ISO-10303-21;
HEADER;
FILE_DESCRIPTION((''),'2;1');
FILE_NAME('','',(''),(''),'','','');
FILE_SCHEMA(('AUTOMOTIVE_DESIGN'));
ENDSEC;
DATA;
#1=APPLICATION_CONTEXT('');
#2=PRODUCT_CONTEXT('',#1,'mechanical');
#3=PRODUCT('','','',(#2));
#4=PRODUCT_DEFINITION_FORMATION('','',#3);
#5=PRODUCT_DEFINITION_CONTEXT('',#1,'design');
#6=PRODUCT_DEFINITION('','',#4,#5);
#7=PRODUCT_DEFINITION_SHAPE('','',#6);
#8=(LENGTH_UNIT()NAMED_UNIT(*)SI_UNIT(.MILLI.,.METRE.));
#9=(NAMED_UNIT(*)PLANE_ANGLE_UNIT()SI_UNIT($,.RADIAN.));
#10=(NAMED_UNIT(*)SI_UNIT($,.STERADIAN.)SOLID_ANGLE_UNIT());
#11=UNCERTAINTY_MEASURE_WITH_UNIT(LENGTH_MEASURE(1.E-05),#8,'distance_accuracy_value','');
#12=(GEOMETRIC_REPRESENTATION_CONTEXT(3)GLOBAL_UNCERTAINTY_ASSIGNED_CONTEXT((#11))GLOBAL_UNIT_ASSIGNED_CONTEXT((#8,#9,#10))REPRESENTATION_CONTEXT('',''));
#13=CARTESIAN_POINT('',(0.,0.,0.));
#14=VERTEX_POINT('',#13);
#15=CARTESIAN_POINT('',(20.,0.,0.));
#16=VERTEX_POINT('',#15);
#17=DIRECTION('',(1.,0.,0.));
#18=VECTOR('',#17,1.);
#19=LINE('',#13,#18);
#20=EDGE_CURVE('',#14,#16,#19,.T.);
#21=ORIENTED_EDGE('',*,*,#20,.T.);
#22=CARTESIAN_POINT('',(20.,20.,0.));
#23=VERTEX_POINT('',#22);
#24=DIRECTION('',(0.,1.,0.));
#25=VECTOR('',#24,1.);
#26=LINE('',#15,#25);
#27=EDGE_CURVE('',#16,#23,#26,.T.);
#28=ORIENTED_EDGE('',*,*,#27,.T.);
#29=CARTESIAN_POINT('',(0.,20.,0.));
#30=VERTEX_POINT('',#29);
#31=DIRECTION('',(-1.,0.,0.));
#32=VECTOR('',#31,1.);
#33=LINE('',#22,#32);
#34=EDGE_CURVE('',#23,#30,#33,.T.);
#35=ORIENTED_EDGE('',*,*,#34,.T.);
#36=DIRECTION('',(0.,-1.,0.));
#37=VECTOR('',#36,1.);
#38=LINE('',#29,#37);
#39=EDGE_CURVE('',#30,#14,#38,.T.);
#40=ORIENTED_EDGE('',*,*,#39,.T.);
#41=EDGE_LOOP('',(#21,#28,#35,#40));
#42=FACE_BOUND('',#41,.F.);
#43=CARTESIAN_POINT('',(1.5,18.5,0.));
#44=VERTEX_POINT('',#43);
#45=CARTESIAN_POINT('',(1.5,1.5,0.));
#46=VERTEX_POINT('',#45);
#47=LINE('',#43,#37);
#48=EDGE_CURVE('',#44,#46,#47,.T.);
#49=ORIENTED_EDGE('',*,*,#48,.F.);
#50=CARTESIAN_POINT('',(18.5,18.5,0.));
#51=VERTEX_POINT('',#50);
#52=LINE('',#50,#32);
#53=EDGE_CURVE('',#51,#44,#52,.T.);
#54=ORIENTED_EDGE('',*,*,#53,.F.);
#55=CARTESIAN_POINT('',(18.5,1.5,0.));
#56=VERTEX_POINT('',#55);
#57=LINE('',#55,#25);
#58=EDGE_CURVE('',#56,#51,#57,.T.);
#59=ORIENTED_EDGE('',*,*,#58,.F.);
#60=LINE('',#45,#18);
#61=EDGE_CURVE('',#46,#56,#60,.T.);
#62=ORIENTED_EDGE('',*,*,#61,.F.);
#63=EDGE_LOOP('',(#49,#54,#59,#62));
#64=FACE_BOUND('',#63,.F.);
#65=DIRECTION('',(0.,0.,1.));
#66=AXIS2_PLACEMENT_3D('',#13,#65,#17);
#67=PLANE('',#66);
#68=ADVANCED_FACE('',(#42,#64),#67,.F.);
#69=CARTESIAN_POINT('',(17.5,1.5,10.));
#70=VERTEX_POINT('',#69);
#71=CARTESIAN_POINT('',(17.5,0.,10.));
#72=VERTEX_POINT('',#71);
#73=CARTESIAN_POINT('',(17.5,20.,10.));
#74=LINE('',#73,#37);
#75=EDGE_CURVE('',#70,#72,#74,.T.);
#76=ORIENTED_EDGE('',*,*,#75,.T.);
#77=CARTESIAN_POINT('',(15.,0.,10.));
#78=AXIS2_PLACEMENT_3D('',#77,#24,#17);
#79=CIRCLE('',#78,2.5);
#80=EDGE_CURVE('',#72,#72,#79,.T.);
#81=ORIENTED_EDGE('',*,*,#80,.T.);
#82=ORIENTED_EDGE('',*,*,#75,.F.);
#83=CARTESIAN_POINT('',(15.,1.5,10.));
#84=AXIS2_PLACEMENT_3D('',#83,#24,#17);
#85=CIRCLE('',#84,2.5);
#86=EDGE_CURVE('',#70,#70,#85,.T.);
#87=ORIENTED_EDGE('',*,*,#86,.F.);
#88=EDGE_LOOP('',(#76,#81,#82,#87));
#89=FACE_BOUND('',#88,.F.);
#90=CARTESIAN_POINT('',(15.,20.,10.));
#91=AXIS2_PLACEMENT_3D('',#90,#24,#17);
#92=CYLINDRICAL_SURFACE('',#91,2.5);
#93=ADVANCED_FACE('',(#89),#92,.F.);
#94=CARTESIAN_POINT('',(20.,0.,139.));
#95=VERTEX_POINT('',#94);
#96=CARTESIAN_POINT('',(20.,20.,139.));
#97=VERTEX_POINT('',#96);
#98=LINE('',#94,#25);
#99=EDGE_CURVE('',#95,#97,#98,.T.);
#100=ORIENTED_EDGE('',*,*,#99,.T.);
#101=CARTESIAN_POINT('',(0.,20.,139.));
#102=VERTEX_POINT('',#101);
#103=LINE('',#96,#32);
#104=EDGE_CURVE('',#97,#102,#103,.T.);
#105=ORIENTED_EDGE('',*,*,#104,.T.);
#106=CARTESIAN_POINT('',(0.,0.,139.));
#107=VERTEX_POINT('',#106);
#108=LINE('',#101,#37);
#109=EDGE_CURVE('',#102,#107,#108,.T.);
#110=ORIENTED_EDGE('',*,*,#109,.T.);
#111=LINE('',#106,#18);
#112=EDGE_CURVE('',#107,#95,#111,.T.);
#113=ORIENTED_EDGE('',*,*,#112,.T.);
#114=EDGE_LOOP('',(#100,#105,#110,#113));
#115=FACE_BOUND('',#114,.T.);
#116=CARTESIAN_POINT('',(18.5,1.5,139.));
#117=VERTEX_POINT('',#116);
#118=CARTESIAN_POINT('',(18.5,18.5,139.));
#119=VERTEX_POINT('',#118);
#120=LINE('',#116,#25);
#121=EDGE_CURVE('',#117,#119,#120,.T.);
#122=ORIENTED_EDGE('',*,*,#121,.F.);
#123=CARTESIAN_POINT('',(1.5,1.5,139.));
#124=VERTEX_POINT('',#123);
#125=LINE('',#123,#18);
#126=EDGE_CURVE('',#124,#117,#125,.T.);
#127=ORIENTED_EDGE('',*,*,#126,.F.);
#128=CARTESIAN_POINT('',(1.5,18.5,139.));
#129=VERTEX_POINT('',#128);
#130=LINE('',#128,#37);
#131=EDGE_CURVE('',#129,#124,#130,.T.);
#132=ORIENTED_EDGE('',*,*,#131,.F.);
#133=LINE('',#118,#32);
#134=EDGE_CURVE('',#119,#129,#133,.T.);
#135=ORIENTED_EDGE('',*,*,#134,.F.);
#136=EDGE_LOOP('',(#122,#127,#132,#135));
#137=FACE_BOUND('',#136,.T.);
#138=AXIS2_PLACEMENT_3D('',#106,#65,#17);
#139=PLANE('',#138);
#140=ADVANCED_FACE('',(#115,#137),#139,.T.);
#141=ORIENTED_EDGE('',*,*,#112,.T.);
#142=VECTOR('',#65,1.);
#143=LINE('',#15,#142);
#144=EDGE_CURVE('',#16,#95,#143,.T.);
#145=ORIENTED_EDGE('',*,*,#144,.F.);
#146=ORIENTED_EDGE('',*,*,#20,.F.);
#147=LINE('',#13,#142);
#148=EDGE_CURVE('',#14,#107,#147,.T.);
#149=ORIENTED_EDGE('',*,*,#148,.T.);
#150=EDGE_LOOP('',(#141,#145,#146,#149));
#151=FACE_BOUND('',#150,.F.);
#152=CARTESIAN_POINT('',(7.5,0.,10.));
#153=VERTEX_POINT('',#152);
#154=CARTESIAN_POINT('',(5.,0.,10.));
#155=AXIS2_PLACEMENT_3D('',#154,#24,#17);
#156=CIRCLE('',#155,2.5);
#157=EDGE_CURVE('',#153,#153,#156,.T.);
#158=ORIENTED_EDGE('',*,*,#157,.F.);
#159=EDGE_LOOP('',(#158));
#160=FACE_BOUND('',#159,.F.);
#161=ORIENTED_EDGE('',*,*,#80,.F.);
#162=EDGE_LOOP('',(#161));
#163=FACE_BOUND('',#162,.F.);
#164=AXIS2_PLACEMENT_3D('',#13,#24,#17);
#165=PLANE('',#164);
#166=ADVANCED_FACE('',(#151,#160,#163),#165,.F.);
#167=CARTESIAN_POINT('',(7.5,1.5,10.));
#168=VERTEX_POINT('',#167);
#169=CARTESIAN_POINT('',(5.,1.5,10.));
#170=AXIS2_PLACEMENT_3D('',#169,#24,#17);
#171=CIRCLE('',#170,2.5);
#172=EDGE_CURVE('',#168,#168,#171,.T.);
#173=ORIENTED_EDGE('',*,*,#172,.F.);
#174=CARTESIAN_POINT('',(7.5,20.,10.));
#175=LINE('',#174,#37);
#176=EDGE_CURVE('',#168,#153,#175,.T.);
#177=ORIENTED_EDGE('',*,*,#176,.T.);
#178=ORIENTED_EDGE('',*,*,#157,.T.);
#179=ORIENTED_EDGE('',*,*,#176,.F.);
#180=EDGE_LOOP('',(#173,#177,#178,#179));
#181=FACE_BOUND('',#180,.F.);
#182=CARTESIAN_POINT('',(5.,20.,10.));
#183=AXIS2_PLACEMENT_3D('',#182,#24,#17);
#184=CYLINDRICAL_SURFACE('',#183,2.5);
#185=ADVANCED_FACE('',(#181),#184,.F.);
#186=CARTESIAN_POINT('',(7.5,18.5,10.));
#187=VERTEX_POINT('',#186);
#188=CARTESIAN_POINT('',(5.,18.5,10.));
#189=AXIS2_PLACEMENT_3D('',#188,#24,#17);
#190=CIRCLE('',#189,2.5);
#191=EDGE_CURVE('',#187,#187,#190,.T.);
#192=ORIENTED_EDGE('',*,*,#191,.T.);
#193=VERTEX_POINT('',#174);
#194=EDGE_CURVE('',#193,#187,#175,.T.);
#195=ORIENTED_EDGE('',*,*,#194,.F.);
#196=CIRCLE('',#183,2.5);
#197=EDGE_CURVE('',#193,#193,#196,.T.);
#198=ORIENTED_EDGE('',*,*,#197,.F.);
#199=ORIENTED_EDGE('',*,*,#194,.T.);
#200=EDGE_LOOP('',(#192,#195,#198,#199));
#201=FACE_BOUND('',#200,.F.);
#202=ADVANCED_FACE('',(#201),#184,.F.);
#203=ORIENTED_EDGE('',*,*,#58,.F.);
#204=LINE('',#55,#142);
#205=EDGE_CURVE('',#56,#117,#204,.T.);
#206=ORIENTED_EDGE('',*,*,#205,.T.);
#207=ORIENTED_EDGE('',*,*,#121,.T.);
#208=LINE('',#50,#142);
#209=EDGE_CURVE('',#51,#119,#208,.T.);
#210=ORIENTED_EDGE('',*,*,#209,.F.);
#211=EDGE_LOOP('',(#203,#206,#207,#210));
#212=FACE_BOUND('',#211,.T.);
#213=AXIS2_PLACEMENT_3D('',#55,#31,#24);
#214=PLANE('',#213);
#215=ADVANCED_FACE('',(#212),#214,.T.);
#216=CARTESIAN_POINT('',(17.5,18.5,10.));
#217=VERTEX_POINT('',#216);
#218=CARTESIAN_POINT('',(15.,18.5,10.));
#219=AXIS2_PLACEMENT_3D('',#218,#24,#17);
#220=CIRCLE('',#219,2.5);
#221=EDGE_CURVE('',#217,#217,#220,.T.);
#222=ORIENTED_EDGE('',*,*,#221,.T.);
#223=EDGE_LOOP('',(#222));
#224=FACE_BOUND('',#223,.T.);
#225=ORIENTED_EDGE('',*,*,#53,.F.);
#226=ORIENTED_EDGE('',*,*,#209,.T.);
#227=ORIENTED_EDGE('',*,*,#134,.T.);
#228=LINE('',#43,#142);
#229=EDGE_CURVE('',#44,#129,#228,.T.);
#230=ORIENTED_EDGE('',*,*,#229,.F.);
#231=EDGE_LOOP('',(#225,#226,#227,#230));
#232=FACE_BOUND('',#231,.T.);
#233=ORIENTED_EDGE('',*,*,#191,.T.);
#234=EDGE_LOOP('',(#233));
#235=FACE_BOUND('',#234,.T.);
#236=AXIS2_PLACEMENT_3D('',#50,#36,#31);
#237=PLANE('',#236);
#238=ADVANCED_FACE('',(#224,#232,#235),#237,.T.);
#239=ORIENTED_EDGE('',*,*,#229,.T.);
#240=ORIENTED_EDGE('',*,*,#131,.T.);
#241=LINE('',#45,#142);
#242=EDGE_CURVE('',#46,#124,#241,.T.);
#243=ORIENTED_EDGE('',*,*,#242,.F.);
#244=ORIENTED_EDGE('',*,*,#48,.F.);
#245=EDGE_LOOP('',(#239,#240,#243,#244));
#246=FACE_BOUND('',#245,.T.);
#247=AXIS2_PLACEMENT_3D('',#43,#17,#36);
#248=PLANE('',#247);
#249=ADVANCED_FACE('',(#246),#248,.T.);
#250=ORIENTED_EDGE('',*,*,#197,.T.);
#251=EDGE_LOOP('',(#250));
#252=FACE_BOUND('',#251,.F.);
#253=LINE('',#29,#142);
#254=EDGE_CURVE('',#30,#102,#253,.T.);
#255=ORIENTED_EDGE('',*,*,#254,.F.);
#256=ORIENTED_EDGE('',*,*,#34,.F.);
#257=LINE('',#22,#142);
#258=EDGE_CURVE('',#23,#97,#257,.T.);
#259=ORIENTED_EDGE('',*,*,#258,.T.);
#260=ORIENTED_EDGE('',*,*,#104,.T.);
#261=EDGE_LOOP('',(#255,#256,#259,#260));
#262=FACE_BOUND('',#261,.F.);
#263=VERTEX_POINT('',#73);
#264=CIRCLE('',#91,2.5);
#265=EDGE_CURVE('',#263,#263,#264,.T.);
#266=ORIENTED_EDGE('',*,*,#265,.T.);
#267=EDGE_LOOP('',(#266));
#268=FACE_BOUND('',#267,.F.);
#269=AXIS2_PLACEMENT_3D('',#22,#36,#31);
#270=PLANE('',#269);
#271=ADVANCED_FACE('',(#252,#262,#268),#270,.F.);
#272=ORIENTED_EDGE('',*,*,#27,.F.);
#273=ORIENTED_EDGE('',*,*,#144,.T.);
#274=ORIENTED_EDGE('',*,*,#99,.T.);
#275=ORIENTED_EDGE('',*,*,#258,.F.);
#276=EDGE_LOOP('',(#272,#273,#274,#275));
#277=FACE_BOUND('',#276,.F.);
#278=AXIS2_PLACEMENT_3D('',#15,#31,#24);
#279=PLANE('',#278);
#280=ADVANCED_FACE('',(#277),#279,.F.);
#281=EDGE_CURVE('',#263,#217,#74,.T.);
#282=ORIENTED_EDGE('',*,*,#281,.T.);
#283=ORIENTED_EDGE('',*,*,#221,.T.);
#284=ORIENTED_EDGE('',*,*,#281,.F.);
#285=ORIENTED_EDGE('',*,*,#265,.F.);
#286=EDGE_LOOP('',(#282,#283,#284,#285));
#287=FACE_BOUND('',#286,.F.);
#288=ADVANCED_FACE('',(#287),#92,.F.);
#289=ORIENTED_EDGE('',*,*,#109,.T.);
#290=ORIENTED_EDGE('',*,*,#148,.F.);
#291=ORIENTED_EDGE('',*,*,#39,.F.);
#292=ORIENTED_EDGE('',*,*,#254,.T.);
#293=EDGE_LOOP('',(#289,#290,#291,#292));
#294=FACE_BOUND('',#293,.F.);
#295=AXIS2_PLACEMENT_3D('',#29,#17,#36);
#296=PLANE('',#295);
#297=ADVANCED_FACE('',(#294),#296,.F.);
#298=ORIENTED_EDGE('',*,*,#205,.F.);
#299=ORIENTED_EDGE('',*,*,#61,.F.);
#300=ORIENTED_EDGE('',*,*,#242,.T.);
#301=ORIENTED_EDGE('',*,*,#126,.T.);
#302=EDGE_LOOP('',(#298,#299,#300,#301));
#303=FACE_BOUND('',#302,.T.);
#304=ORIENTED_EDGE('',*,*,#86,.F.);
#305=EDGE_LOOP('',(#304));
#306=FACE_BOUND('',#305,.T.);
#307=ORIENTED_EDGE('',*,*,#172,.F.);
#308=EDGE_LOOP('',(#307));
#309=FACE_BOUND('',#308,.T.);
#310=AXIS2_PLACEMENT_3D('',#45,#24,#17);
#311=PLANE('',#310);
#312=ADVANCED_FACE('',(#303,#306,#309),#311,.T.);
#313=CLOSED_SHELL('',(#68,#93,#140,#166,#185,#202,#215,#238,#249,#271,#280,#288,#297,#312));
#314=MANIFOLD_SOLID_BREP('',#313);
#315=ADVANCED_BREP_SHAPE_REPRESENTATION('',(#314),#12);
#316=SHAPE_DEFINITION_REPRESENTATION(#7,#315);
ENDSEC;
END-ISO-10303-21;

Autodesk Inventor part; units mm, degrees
ref_plane "YZ Plane" through (0, 0, 0) normal (1, 0, 0) x (0, 1, 0)
ref_plane "XZ Plane" through (0, 0, 0) normal (0, 1, 0) x (-1, 0, 0)
ref_plane "XY Plane" through (0, 0, 0) normal (0, 0, 1) x (1, 0, 0)
sketch "Эскиз1" plane through (0, 0, 0) normal (0, 0, 1) x (1, 0, 0)
  line L0 (0, 0) -> (20, 0)
  line L1 (20, 0) -> (20, 20)
  line L2 (20, 20) -> (0, 20)
  line L3 (0, 20) -> (0, 0)
  line L4 (1.5, 1.5) -> (18.5, 1.5)
  line L5 (18.5, 1.5) -> (18.5, 18.5)
  line L6 (18.5, 18.5) -> (1.5, 18.5)
  line L7 (1.5, 18.5) -> (1.5, 1.5)
  point P0 (10, 18.5)
  point P1 (10, 20)
  point P2 (18.5, 10)
  point P3 (20, 10)
  dimension "d0" = 20
  dimension "d1" = 1.5
extrude "Выдавливание1" add sketch "Эскиз1" along normal blind 139
sketch "Эскиз2" plane through (0, 20, 0) normal (0, 1, 0) x (1, 0, 0)
  circle A0 centre (5, -10) radius 2.5
  circle A1 centre (15, -10) radius 2.5
  line L0 (5, -10) -> (15, -10) construction
  line L1 (20, 0) -> (0, 0) construction
  point P0 (10, -10)
  point P1 (10, 0)
  point P2 (10, 0)
  dimension "d4" = 10
  dimension "d5" = 5
  dimension "d6" = 10
extrude "Выдавливание2" cut sketch "Эскиз2" against normal through all
properties part number "1" material "Алюминий 6061"
